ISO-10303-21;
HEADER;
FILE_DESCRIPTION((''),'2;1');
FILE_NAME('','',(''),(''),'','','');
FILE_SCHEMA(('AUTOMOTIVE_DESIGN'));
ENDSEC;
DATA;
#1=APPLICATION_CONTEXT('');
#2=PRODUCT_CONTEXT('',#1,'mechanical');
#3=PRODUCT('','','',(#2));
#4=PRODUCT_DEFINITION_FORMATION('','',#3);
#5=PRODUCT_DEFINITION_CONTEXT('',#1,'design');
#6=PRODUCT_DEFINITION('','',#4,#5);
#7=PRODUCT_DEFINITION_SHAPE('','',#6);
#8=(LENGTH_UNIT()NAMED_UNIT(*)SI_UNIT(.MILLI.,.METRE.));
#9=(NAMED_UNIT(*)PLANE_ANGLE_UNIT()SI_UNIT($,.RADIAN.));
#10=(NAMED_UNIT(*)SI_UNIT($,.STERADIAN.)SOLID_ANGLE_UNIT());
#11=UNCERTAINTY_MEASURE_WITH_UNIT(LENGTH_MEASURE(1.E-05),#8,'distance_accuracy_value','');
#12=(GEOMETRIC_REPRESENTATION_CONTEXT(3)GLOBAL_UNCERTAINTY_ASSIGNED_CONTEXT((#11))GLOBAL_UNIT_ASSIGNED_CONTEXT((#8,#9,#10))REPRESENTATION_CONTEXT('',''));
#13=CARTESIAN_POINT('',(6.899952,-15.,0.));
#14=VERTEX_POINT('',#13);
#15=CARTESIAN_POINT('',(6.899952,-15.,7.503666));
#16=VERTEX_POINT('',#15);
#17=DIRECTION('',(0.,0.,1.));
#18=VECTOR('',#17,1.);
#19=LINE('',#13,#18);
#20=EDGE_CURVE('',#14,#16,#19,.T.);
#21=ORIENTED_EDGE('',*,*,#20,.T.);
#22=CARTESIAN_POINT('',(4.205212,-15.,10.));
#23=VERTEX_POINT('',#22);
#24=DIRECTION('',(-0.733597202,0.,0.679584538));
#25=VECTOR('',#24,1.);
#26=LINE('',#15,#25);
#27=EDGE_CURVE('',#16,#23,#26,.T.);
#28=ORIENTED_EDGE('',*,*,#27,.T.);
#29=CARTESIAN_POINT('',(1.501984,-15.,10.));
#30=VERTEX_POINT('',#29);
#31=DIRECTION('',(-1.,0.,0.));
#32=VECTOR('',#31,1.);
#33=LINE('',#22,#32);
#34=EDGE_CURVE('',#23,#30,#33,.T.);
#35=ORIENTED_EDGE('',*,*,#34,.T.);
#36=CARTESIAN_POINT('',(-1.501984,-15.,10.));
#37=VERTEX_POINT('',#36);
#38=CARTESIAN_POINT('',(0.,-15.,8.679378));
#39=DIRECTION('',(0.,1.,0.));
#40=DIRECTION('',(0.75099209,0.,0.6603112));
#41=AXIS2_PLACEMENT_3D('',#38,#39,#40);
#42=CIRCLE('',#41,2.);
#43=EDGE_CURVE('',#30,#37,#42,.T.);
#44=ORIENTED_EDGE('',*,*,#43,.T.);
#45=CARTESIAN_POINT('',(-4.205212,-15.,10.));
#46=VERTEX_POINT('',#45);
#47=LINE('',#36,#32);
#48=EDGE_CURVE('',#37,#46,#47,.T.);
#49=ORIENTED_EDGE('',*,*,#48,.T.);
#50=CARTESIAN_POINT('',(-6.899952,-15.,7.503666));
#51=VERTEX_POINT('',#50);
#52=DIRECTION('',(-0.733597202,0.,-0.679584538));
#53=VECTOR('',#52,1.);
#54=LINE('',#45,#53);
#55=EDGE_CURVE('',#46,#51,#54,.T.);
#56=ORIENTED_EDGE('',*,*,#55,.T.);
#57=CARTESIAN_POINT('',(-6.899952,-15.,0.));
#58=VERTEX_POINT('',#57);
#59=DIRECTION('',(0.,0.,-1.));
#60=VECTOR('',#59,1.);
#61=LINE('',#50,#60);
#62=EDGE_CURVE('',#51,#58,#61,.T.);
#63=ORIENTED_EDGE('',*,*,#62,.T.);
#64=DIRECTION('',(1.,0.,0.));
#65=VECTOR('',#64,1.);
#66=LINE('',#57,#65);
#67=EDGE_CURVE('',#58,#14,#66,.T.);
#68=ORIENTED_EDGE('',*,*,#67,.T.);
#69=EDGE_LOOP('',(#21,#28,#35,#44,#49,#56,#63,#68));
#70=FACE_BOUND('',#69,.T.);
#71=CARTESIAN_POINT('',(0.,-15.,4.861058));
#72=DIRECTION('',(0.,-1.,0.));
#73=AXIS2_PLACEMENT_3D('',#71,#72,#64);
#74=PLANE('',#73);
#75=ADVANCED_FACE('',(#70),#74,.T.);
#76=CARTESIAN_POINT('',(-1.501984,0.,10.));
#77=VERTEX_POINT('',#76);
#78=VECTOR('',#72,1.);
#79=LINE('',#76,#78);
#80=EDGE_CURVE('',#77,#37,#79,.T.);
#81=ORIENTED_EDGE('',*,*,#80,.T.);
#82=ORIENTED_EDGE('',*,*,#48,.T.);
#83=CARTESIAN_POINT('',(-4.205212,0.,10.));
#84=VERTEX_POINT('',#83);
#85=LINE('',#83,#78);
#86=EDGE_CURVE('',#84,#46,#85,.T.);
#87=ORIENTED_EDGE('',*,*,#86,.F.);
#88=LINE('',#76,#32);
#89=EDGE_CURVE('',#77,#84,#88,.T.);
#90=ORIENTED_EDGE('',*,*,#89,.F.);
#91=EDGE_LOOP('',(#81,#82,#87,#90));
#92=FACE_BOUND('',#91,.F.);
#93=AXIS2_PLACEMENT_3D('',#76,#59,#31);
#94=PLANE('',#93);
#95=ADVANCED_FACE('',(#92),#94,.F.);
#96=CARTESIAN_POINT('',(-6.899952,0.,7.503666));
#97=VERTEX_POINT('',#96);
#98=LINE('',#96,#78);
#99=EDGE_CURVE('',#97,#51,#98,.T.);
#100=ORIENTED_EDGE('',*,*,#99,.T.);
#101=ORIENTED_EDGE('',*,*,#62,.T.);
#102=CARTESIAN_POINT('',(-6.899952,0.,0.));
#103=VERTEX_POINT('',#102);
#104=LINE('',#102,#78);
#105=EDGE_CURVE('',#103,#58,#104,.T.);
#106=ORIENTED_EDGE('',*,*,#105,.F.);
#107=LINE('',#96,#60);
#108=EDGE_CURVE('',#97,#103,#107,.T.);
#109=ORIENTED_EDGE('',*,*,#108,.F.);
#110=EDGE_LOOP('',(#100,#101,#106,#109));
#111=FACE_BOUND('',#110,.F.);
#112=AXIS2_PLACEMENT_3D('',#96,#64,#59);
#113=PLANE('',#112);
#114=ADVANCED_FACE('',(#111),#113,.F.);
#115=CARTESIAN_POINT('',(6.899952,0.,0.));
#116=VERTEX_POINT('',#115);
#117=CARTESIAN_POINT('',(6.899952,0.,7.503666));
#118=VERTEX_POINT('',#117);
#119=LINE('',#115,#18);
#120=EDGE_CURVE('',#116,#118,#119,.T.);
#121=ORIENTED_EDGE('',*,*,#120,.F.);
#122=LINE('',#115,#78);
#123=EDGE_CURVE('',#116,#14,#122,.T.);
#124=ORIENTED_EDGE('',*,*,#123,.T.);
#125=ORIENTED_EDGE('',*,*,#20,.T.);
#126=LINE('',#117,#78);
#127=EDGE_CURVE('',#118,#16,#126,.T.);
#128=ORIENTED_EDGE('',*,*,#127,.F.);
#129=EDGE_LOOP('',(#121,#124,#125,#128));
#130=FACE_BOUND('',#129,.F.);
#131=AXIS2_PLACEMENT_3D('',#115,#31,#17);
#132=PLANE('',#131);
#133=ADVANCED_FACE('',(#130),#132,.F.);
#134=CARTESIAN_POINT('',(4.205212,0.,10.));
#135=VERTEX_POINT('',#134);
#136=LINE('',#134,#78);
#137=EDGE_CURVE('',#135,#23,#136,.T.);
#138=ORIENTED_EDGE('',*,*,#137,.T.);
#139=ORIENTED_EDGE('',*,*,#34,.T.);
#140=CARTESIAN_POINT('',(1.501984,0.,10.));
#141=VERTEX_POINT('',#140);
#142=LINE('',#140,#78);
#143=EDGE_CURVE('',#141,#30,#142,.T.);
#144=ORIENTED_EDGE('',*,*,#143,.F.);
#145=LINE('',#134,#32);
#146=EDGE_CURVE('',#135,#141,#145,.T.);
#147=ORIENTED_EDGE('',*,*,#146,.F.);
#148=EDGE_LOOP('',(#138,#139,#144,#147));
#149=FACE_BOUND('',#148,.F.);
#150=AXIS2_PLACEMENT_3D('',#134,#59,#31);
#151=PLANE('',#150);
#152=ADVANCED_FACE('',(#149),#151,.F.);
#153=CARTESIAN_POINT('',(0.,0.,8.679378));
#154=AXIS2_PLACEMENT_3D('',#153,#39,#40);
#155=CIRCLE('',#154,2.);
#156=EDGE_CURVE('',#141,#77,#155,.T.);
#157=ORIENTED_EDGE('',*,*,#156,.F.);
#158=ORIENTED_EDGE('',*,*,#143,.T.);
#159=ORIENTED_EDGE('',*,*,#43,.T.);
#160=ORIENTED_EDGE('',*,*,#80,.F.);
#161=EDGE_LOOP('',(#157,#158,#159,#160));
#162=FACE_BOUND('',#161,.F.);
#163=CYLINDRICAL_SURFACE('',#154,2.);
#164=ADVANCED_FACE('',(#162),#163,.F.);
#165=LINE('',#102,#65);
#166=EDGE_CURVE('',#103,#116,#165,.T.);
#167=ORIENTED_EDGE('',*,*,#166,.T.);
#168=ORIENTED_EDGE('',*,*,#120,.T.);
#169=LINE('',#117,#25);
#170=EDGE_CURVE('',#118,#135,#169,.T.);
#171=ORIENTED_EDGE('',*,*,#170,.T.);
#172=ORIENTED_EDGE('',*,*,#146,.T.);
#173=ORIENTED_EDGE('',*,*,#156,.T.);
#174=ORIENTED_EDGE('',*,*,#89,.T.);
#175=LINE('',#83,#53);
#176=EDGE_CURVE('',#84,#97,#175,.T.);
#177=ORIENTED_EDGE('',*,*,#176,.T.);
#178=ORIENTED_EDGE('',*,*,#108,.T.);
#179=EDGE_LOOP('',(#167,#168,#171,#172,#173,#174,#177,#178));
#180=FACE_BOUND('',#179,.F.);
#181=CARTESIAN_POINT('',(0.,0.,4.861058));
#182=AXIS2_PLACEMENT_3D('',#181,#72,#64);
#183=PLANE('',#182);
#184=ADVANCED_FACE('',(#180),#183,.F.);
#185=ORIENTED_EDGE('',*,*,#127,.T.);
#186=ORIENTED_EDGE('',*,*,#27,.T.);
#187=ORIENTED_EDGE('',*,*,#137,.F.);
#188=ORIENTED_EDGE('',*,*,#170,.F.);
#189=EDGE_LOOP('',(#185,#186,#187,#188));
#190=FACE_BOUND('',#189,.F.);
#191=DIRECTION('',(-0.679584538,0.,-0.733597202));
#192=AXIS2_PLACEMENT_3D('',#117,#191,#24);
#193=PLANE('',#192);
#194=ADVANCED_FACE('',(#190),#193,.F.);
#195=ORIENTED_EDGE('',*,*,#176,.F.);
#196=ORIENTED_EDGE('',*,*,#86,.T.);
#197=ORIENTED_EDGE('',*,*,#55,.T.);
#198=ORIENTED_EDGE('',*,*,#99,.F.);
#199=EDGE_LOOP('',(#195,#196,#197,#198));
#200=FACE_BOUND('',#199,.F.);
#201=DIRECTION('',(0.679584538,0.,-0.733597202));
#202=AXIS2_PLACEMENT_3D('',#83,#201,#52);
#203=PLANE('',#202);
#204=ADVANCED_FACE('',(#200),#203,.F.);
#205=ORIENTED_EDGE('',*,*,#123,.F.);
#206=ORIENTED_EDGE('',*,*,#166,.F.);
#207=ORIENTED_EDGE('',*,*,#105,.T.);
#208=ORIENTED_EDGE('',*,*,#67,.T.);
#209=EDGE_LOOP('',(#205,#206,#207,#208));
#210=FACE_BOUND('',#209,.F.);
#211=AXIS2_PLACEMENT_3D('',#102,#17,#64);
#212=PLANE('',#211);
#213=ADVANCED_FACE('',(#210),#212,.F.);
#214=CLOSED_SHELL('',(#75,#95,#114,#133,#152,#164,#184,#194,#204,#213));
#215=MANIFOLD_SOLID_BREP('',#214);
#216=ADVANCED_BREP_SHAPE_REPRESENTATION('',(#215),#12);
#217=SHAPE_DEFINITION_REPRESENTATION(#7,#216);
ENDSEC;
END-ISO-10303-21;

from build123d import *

# Parameters (mm, degrees)
F1_DEPTH = 15


with BuildPart() as f1:
    # F0 (on Front) → F1 (new body)
    with BuildSketch(Plane.XZ):
        with BuildLine():
            Line((-1.501984, 10), (-4.205212, 10))
            Line((-4.205212, 10), (-6.899952, 7.503666))
            Line((-6.899952, 7.503666), (-6.899952, 0))
            Line((-6.899952, 0), (6.899952, 0))
            Line((6.899952, 0), (6.899952, 7.503666))
            Line((6.899952, 7.503666), (4.205212, 10))
            Line((4.205212, 10), (1.501984, 10))
            ThreePointArc((1.501984, 10), (0, 6.679378), (-1.501984, 10))
        make_face()
    extrude(amount=F1_DEPTH)


solid = f1.part
